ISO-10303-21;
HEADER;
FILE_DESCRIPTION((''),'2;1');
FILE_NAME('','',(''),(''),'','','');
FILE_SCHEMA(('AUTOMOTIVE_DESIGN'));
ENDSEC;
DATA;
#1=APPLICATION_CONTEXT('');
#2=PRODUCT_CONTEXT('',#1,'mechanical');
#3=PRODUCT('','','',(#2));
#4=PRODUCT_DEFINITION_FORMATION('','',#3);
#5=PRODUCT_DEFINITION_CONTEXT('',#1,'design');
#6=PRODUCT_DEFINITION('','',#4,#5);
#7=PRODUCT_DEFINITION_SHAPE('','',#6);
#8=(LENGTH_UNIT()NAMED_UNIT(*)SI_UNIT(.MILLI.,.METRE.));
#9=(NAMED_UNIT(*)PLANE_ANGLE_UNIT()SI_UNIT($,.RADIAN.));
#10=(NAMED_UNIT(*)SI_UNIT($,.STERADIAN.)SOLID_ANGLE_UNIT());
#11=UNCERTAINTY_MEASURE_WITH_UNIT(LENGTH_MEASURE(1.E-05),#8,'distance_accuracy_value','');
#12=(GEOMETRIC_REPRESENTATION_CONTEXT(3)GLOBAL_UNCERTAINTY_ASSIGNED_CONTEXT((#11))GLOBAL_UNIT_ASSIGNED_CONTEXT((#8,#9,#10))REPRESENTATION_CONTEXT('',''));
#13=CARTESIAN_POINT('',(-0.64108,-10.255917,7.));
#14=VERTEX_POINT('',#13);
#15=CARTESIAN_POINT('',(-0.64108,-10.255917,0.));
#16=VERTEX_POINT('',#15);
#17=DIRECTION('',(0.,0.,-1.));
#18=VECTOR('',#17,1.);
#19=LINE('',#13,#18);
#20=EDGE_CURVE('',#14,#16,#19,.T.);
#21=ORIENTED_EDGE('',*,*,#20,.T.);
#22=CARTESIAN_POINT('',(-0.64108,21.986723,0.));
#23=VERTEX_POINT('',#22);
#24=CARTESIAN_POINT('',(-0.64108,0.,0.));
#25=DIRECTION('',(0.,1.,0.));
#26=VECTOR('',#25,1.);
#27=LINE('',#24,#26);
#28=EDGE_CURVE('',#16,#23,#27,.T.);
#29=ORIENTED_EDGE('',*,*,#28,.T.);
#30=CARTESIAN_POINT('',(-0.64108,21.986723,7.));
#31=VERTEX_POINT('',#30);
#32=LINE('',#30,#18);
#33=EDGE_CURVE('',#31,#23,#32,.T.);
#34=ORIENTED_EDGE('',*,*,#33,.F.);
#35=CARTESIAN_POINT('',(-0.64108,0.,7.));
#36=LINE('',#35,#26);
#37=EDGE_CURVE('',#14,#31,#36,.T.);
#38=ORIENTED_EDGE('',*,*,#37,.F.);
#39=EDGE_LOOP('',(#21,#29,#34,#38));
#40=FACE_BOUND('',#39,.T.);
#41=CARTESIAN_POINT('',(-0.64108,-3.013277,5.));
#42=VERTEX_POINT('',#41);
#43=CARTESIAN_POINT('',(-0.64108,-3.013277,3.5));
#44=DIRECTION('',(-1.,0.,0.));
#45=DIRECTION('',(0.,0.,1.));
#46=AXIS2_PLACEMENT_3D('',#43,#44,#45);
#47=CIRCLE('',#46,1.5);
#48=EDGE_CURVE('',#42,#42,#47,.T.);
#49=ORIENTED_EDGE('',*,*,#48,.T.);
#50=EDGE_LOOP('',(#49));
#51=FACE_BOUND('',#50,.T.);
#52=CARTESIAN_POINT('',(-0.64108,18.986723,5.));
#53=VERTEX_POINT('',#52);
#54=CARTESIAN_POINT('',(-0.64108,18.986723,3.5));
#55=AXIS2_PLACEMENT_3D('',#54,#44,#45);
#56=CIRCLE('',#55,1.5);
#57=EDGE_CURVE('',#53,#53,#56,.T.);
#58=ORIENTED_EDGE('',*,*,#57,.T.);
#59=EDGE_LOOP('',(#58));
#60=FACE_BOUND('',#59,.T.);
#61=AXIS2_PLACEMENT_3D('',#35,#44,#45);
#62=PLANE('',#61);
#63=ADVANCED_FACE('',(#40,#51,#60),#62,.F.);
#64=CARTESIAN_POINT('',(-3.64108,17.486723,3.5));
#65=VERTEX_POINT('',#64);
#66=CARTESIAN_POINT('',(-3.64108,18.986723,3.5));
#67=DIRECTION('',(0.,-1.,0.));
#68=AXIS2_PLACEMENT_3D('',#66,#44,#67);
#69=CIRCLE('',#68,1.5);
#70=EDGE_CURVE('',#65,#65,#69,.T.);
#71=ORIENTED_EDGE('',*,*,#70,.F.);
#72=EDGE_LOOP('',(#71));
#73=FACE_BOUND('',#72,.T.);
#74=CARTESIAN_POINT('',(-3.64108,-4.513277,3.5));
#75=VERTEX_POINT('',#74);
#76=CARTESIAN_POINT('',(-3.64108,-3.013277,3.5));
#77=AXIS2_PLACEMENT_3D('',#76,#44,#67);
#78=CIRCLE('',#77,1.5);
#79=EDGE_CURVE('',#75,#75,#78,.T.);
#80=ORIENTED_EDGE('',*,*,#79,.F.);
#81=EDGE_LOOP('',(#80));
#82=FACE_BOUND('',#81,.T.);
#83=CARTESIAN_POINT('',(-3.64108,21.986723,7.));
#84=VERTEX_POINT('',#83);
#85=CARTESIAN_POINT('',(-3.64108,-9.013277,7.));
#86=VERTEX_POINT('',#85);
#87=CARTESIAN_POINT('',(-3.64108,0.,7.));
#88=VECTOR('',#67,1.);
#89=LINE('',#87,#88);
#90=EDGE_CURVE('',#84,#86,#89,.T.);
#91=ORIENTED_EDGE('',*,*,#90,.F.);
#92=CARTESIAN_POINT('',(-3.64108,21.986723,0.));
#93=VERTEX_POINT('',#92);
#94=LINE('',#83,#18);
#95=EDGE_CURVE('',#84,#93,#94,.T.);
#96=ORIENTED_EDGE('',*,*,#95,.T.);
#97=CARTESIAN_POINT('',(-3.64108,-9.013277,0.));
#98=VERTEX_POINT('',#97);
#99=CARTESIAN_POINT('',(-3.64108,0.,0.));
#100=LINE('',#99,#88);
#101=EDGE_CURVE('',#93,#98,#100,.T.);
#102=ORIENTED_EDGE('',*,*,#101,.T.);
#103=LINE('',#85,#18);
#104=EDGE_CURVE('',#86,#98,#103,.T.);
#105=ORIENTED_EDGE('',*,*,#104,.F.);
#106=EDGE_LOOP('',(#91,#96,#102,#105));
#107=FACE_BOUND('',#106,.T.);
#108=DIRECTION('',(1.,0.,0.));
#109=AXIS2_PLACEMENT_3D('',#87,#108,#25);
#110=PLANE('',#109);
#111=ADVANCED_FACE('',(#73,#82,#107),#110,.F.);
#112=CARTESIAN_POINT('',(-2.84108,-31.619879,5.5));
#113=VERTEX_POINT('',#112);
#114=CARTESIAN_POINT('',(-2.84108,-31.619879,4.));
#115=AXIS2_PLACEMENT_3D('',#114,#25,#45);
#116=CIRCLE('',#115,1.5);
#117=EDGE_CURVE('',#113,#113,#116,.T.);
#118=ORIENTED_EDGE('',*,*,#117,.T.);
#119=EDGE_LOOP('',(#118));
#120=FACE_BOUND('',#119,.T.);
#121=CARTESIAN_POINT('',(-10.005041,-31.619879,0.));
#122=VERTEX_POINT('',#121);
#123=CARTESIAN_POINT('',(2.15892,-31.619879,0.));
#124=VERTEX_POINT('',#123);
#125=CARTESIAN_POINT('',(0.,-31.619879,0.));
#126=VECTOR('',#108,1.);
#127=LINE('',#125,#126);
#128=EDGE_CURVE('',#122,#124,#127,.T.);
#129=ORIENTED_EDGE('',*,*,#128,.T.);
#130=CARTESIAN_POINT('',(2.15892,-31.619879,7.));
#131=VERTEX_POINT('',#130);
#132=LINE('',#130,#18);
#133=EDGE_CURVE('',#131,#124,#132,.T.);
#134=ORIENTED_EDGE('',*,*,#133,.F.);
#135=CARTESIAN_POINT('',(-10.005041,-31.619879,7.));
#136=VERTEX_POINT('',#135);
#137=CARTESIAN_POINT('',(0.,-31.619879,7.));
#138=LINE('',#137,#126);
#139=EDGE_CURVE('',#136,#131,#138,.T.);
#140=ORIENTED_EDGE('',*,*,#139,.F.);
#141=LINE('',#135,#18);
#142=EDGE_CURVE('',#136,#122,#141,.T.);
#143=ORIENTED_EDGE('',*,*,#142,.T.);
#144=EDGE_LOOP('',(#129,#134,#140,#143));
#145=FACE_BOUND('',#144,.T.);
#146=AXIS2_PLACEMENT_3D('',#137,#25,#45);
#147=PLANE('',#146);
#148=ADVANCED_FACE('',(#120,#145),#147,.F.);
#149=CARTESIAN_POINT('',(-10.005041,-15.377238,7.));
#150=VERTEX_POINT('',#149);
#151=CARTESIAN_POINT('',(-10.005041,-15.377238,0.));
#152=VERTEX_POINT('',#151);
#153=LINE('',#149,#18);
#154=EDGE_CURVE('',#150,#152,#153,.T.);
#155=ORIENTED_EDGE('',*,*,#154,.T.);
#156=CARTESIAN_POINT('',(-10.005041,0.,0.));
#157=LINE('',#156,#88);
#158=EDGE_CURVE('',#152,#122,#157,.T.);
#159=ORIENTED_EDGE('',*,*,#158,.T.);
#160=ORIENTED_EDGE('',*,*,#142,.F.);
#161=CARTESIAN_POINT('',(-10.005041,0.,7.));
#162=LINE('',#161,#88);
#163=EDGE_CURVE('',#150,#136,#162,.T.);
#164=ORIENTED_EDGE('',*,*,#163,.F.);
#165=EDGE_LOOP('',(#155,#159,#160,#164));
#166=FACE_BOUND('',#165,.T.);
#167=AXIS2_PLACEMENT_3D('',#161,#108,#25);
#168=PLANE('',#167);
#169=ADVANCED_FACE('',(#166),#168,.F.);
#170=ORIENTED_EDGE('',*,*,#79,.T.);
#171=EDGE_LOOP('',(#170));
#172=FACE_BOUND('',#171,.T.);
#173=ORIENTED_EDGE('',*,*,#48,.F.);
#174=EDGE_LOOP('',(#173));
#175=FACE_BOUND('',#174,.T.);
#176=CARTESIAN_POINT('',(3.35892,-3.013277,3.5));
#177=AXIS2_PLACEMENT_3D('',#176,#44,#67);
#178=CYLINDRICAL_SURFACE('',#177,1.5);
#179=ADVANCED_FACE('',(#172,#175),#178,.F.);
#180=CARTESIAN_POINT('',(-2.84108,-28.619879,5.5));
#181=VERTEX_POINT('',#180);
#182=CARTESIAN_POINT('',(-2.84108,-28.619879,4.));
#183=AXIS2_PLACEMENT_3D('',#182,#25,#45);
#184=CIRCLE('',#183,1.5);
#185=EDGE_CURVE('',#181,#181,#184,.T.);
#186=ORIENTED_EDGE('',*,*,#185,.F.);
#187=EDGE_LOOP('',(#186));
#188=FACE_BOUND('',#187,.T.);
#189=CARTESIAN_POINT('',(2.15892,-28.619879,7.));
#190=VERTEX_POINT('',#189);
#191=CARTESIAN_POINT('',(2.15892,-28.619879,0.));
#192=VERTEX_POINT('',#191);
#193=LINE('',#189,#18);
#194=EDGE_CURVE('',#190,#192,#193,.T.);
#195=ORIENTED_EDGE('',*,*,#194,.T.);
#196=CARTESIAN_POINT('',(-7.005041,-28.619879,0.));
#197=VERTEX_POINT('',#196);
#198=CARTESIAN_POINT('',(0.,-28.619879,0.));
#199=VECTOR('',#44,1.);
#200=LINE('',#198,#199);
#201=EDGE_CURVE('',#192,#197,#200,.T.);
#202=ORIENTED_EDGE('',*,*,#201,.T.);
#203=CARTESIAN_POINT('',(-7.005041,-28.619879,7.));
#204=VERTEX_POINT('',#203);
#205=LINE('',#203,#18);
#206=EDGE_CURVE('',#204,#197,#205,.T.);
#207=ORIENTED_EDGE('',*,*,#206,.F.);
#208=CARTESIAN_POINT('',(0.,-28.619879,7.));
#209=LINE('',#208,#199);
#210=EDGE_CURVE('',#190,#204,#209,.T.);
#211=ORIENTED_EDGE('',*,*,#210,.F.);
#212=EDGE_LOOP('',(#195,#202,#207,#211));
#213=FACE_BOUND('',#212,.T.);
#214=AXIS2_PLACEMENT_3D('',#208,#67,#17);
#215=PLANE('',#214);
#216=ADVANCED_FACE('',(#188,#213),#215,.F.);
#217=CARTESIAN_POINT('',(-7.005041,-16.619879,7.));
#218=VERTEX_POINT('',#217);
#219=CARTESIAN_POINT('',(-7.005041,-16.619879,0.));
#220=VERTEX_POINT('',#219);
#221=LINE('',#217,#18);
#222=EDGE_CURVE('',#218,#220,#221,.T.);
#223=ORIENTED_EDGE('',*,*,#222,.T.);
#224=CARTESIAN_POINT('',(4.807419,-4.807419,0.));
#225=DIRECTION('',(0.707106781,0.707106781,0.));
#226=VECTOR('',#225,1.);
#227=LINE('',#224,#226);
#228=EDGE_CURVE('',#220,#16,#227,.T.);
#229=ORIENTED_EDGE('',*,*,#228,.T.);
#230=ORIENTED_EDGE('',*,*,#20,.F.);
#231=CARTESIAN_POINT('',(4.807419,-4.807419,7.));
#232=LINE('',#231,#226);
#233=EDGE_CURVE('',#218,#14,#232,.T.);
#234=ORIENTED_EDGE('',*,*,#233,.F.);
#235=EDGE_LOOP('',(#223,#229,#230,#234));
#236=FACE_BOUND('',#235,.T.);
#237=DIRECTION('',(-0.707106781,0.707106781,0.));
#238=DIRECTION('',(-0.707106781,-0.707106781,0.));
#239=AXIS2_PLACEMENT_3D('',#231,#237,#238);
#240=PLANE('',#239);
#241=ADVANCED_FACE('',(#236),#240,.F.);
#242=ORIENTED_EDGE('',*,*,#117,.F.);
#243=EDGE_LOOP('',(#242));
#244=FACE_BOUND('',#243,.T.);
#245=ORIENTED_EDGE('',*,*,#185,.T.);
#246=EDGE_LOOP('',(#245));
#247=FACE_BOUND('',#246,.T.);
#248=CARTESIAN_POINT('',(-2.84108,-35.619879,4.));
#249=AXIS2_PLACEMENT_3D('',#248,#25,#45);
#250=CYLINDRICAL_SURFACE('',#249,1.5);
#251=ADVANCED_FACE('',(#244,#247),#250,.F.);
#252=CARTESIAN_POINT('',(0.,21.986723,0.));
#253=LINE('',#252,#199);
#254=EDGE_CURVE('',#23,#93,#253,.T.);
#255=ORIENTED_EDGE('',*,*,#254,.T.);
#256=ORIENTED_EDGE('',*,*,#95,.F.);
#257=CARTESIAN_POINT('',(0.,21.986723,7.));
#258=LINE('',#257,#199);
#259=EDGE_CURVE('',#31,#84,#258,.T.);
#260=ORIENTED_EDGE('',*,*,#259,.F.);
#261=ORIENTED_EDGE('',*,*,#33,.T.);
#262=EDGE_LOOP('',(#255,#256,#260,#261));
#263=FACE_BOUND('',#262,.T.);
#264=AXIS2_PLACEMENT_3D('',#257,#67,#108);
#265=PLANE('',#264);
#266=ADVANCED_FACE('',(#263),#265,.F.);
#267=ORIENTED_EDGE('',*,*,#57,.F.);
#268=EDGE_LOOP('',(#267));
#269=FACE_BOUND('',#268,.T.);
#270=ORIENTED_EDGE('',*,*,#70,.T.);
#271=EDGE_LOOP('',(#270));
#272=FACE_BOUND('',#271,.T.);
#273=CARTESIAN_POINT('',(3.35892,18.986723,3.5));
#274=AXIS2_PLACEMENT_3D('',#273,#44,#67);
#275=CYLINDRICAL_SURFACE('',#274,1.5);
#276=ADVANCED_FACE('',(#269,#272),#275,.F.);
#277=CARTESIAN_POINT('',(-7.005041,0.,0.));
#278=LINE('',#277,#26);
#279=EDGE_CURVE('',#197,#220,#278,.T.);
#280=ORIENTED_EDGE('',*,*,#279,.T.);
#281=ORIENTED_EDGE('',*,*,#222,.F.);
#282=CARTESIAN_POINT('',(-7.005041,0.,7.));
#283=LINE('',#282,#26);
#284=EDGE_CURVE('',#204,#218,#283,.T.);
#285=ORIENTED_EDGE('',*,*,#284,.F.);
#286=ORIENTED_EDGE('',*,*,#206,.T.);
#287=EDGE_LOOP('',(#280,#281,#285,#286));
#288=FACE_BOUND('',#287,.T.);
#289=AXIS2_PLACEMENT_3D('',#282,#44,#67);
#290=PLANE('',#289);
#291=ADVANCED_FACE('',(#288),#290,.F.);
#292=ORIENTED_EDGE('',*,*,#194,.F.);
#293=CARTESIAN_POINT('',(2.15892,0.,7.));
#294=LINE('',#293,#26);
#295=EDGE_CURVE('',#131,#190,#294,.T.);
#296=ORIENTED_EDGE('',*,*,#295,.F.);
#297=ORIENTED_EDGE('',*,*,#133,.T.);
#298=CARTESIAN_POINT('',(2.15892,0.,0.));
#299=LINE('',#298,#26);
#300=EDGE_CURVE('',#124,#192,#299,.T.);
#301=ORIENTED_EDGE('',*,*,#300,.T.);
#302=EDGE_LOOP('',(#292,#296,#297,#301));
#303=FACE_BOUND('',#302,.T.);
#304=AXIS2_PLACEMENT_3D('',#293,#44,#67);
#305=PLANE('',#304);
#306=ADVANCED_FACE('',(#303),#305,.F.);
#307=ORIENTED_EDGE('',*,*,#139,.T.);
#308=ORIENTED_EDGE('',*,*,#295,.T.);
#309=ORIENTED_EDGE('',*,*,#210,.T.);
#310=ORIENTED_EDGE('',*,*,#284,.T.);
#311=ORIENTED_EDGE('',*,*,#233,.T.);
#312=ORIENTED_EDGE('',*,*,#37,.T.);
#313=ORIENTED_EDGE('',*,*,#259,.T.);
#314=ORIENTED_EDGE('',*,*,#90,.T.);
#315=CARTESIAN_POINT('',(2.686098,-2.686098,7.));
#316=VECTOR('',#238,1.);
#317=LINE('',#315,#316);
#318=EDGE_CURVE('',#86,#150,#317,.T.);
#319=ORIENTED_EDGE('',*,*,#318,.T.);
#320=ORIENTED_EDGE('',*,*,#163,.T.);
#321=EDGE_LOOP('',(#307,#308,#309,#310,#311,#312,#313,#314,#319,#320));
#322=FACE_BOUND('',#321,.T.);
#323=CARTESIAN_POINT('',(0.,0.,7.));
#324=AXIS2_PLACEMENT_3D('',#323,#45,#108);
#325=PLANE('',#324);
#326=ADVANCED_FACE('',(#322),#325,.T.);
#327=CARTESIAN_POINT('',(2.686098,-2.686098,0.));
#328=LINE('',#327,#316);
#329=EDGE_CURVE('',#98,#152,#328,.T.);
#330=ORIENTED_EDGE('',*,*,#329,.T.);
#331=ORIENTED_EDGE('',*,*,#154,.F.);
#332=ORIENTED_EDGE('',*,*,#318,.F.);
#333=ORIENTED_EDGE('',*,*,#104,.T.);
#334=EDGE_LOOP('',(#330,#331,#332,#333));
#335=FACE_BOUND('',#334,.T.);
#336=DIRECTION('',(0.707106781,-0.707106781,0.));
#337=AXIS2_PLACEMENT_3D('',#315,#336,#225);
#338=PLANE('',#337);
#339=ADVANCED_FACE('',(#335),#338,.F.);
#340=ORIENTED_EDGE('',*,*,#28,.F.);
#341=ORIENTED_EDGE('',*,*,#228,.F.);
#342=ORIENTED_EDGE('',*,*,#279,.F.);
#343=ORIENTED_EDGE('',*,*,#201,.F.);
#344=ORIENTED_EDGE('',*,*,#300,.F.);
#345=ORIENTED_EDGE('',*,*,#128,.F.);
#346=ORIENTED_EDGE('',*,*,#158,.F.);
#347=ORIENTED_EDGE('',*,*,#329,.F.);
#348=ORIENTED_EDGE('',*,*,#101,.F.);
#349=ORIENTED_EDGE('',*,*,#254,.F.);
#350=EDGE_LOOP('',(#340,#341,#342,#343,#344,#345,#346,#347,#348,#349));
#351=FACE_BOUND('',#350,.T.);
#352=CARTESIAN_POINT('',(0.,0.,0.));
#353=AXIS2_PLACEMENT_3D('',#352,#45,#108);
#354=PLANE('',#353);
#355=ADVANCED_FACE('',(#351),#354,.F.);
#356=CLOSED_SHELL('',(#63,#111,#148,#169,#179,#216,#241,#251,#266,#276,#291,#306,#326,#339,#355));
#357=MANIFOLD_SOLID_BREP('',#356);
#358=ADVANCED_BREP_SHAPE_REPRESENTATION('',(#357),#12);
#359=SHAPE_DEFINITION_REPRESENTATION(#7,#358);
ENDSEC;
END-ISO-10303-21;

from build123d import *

# Parameters (mm, degrees)
SKETCH_1_W          = 1.5
SKETCH_1_H          = 3
SKETCH_1_W_2        = 3.5
EXTRUDE_1_DEPTH     = 7
SKETCH_2_R          = 1.5
CUT_EXTRUDE_2_DEPTH = 7
SKETCH_4_R          = 1.5
CUT_EXTRUDE_3_DEPTH = 7


with BuildPart() as part:
    # 草图1 → 凸台-拉伸1 (new body)
    with BuildSketch(Plane.XY):
        Polygon((-0.641080243, 21.986723194), (-3.641080243, 21.986723194), (-3.641080243, -9.013276806), (-10.005041274, -15.377237837), (-10.005041274, -31.619878524), (-4.341080243, -31.619878524), (-4.341080243, -28.619878524), (-7.005041274, -28.619878524), (-7.005041274, -16.619878524), (-0.641080243, -10.255917493), align=None)
        with Locations((-2.091080243, -30.119878524)):
            Rectangle(SKETCH_1_W, SKETCH_1_H)
        with Locations((-3.591080243, -30.119878524)):
            Rectangle(SKETCH_1_W, SKETCH_1_H)
        with Locations((0.408919757, -30.119878524)):
            Rectangle(SKETCH_1_W_2, SKETCH_1_H)
    extrude(amount=EXTRUDE_1_DEPTH)

    # 草图2 → 切除-拉伸2 (cut)
    with BuildSketch(Plane.ZY.offset(3.641080243)):
        with Locations(Location((3.5, 18.986723194, 0), (0, 0, 270))):
            Circle(SKETCH_2_R)
        with Locations(Location((3.5, -3.013276806, 0), (0, 0, 270))):
            Circle(SKETCH_2_R)
    extrude(amount=-CUT_EXTRUDE_2_DEPTH, mode=Mode.SUBTRACT)

    # 草图4 → 切除-拉伸3 (cut)
    with BuildSketch(Plane(origin=(0, -28.619878524, 0), x_dir=(1, 0, 0), z_dir=(0, 1, 0))):
        with Locations(Location((-2.841080243, -4, 0), (0, 0, 270))):
            Circle(SKETCH_4_R)
    extrude(amount=-CUT_EXTRUDE_3_DEPTH, mode=Mode.SUBTRACT)


solid = part.part
